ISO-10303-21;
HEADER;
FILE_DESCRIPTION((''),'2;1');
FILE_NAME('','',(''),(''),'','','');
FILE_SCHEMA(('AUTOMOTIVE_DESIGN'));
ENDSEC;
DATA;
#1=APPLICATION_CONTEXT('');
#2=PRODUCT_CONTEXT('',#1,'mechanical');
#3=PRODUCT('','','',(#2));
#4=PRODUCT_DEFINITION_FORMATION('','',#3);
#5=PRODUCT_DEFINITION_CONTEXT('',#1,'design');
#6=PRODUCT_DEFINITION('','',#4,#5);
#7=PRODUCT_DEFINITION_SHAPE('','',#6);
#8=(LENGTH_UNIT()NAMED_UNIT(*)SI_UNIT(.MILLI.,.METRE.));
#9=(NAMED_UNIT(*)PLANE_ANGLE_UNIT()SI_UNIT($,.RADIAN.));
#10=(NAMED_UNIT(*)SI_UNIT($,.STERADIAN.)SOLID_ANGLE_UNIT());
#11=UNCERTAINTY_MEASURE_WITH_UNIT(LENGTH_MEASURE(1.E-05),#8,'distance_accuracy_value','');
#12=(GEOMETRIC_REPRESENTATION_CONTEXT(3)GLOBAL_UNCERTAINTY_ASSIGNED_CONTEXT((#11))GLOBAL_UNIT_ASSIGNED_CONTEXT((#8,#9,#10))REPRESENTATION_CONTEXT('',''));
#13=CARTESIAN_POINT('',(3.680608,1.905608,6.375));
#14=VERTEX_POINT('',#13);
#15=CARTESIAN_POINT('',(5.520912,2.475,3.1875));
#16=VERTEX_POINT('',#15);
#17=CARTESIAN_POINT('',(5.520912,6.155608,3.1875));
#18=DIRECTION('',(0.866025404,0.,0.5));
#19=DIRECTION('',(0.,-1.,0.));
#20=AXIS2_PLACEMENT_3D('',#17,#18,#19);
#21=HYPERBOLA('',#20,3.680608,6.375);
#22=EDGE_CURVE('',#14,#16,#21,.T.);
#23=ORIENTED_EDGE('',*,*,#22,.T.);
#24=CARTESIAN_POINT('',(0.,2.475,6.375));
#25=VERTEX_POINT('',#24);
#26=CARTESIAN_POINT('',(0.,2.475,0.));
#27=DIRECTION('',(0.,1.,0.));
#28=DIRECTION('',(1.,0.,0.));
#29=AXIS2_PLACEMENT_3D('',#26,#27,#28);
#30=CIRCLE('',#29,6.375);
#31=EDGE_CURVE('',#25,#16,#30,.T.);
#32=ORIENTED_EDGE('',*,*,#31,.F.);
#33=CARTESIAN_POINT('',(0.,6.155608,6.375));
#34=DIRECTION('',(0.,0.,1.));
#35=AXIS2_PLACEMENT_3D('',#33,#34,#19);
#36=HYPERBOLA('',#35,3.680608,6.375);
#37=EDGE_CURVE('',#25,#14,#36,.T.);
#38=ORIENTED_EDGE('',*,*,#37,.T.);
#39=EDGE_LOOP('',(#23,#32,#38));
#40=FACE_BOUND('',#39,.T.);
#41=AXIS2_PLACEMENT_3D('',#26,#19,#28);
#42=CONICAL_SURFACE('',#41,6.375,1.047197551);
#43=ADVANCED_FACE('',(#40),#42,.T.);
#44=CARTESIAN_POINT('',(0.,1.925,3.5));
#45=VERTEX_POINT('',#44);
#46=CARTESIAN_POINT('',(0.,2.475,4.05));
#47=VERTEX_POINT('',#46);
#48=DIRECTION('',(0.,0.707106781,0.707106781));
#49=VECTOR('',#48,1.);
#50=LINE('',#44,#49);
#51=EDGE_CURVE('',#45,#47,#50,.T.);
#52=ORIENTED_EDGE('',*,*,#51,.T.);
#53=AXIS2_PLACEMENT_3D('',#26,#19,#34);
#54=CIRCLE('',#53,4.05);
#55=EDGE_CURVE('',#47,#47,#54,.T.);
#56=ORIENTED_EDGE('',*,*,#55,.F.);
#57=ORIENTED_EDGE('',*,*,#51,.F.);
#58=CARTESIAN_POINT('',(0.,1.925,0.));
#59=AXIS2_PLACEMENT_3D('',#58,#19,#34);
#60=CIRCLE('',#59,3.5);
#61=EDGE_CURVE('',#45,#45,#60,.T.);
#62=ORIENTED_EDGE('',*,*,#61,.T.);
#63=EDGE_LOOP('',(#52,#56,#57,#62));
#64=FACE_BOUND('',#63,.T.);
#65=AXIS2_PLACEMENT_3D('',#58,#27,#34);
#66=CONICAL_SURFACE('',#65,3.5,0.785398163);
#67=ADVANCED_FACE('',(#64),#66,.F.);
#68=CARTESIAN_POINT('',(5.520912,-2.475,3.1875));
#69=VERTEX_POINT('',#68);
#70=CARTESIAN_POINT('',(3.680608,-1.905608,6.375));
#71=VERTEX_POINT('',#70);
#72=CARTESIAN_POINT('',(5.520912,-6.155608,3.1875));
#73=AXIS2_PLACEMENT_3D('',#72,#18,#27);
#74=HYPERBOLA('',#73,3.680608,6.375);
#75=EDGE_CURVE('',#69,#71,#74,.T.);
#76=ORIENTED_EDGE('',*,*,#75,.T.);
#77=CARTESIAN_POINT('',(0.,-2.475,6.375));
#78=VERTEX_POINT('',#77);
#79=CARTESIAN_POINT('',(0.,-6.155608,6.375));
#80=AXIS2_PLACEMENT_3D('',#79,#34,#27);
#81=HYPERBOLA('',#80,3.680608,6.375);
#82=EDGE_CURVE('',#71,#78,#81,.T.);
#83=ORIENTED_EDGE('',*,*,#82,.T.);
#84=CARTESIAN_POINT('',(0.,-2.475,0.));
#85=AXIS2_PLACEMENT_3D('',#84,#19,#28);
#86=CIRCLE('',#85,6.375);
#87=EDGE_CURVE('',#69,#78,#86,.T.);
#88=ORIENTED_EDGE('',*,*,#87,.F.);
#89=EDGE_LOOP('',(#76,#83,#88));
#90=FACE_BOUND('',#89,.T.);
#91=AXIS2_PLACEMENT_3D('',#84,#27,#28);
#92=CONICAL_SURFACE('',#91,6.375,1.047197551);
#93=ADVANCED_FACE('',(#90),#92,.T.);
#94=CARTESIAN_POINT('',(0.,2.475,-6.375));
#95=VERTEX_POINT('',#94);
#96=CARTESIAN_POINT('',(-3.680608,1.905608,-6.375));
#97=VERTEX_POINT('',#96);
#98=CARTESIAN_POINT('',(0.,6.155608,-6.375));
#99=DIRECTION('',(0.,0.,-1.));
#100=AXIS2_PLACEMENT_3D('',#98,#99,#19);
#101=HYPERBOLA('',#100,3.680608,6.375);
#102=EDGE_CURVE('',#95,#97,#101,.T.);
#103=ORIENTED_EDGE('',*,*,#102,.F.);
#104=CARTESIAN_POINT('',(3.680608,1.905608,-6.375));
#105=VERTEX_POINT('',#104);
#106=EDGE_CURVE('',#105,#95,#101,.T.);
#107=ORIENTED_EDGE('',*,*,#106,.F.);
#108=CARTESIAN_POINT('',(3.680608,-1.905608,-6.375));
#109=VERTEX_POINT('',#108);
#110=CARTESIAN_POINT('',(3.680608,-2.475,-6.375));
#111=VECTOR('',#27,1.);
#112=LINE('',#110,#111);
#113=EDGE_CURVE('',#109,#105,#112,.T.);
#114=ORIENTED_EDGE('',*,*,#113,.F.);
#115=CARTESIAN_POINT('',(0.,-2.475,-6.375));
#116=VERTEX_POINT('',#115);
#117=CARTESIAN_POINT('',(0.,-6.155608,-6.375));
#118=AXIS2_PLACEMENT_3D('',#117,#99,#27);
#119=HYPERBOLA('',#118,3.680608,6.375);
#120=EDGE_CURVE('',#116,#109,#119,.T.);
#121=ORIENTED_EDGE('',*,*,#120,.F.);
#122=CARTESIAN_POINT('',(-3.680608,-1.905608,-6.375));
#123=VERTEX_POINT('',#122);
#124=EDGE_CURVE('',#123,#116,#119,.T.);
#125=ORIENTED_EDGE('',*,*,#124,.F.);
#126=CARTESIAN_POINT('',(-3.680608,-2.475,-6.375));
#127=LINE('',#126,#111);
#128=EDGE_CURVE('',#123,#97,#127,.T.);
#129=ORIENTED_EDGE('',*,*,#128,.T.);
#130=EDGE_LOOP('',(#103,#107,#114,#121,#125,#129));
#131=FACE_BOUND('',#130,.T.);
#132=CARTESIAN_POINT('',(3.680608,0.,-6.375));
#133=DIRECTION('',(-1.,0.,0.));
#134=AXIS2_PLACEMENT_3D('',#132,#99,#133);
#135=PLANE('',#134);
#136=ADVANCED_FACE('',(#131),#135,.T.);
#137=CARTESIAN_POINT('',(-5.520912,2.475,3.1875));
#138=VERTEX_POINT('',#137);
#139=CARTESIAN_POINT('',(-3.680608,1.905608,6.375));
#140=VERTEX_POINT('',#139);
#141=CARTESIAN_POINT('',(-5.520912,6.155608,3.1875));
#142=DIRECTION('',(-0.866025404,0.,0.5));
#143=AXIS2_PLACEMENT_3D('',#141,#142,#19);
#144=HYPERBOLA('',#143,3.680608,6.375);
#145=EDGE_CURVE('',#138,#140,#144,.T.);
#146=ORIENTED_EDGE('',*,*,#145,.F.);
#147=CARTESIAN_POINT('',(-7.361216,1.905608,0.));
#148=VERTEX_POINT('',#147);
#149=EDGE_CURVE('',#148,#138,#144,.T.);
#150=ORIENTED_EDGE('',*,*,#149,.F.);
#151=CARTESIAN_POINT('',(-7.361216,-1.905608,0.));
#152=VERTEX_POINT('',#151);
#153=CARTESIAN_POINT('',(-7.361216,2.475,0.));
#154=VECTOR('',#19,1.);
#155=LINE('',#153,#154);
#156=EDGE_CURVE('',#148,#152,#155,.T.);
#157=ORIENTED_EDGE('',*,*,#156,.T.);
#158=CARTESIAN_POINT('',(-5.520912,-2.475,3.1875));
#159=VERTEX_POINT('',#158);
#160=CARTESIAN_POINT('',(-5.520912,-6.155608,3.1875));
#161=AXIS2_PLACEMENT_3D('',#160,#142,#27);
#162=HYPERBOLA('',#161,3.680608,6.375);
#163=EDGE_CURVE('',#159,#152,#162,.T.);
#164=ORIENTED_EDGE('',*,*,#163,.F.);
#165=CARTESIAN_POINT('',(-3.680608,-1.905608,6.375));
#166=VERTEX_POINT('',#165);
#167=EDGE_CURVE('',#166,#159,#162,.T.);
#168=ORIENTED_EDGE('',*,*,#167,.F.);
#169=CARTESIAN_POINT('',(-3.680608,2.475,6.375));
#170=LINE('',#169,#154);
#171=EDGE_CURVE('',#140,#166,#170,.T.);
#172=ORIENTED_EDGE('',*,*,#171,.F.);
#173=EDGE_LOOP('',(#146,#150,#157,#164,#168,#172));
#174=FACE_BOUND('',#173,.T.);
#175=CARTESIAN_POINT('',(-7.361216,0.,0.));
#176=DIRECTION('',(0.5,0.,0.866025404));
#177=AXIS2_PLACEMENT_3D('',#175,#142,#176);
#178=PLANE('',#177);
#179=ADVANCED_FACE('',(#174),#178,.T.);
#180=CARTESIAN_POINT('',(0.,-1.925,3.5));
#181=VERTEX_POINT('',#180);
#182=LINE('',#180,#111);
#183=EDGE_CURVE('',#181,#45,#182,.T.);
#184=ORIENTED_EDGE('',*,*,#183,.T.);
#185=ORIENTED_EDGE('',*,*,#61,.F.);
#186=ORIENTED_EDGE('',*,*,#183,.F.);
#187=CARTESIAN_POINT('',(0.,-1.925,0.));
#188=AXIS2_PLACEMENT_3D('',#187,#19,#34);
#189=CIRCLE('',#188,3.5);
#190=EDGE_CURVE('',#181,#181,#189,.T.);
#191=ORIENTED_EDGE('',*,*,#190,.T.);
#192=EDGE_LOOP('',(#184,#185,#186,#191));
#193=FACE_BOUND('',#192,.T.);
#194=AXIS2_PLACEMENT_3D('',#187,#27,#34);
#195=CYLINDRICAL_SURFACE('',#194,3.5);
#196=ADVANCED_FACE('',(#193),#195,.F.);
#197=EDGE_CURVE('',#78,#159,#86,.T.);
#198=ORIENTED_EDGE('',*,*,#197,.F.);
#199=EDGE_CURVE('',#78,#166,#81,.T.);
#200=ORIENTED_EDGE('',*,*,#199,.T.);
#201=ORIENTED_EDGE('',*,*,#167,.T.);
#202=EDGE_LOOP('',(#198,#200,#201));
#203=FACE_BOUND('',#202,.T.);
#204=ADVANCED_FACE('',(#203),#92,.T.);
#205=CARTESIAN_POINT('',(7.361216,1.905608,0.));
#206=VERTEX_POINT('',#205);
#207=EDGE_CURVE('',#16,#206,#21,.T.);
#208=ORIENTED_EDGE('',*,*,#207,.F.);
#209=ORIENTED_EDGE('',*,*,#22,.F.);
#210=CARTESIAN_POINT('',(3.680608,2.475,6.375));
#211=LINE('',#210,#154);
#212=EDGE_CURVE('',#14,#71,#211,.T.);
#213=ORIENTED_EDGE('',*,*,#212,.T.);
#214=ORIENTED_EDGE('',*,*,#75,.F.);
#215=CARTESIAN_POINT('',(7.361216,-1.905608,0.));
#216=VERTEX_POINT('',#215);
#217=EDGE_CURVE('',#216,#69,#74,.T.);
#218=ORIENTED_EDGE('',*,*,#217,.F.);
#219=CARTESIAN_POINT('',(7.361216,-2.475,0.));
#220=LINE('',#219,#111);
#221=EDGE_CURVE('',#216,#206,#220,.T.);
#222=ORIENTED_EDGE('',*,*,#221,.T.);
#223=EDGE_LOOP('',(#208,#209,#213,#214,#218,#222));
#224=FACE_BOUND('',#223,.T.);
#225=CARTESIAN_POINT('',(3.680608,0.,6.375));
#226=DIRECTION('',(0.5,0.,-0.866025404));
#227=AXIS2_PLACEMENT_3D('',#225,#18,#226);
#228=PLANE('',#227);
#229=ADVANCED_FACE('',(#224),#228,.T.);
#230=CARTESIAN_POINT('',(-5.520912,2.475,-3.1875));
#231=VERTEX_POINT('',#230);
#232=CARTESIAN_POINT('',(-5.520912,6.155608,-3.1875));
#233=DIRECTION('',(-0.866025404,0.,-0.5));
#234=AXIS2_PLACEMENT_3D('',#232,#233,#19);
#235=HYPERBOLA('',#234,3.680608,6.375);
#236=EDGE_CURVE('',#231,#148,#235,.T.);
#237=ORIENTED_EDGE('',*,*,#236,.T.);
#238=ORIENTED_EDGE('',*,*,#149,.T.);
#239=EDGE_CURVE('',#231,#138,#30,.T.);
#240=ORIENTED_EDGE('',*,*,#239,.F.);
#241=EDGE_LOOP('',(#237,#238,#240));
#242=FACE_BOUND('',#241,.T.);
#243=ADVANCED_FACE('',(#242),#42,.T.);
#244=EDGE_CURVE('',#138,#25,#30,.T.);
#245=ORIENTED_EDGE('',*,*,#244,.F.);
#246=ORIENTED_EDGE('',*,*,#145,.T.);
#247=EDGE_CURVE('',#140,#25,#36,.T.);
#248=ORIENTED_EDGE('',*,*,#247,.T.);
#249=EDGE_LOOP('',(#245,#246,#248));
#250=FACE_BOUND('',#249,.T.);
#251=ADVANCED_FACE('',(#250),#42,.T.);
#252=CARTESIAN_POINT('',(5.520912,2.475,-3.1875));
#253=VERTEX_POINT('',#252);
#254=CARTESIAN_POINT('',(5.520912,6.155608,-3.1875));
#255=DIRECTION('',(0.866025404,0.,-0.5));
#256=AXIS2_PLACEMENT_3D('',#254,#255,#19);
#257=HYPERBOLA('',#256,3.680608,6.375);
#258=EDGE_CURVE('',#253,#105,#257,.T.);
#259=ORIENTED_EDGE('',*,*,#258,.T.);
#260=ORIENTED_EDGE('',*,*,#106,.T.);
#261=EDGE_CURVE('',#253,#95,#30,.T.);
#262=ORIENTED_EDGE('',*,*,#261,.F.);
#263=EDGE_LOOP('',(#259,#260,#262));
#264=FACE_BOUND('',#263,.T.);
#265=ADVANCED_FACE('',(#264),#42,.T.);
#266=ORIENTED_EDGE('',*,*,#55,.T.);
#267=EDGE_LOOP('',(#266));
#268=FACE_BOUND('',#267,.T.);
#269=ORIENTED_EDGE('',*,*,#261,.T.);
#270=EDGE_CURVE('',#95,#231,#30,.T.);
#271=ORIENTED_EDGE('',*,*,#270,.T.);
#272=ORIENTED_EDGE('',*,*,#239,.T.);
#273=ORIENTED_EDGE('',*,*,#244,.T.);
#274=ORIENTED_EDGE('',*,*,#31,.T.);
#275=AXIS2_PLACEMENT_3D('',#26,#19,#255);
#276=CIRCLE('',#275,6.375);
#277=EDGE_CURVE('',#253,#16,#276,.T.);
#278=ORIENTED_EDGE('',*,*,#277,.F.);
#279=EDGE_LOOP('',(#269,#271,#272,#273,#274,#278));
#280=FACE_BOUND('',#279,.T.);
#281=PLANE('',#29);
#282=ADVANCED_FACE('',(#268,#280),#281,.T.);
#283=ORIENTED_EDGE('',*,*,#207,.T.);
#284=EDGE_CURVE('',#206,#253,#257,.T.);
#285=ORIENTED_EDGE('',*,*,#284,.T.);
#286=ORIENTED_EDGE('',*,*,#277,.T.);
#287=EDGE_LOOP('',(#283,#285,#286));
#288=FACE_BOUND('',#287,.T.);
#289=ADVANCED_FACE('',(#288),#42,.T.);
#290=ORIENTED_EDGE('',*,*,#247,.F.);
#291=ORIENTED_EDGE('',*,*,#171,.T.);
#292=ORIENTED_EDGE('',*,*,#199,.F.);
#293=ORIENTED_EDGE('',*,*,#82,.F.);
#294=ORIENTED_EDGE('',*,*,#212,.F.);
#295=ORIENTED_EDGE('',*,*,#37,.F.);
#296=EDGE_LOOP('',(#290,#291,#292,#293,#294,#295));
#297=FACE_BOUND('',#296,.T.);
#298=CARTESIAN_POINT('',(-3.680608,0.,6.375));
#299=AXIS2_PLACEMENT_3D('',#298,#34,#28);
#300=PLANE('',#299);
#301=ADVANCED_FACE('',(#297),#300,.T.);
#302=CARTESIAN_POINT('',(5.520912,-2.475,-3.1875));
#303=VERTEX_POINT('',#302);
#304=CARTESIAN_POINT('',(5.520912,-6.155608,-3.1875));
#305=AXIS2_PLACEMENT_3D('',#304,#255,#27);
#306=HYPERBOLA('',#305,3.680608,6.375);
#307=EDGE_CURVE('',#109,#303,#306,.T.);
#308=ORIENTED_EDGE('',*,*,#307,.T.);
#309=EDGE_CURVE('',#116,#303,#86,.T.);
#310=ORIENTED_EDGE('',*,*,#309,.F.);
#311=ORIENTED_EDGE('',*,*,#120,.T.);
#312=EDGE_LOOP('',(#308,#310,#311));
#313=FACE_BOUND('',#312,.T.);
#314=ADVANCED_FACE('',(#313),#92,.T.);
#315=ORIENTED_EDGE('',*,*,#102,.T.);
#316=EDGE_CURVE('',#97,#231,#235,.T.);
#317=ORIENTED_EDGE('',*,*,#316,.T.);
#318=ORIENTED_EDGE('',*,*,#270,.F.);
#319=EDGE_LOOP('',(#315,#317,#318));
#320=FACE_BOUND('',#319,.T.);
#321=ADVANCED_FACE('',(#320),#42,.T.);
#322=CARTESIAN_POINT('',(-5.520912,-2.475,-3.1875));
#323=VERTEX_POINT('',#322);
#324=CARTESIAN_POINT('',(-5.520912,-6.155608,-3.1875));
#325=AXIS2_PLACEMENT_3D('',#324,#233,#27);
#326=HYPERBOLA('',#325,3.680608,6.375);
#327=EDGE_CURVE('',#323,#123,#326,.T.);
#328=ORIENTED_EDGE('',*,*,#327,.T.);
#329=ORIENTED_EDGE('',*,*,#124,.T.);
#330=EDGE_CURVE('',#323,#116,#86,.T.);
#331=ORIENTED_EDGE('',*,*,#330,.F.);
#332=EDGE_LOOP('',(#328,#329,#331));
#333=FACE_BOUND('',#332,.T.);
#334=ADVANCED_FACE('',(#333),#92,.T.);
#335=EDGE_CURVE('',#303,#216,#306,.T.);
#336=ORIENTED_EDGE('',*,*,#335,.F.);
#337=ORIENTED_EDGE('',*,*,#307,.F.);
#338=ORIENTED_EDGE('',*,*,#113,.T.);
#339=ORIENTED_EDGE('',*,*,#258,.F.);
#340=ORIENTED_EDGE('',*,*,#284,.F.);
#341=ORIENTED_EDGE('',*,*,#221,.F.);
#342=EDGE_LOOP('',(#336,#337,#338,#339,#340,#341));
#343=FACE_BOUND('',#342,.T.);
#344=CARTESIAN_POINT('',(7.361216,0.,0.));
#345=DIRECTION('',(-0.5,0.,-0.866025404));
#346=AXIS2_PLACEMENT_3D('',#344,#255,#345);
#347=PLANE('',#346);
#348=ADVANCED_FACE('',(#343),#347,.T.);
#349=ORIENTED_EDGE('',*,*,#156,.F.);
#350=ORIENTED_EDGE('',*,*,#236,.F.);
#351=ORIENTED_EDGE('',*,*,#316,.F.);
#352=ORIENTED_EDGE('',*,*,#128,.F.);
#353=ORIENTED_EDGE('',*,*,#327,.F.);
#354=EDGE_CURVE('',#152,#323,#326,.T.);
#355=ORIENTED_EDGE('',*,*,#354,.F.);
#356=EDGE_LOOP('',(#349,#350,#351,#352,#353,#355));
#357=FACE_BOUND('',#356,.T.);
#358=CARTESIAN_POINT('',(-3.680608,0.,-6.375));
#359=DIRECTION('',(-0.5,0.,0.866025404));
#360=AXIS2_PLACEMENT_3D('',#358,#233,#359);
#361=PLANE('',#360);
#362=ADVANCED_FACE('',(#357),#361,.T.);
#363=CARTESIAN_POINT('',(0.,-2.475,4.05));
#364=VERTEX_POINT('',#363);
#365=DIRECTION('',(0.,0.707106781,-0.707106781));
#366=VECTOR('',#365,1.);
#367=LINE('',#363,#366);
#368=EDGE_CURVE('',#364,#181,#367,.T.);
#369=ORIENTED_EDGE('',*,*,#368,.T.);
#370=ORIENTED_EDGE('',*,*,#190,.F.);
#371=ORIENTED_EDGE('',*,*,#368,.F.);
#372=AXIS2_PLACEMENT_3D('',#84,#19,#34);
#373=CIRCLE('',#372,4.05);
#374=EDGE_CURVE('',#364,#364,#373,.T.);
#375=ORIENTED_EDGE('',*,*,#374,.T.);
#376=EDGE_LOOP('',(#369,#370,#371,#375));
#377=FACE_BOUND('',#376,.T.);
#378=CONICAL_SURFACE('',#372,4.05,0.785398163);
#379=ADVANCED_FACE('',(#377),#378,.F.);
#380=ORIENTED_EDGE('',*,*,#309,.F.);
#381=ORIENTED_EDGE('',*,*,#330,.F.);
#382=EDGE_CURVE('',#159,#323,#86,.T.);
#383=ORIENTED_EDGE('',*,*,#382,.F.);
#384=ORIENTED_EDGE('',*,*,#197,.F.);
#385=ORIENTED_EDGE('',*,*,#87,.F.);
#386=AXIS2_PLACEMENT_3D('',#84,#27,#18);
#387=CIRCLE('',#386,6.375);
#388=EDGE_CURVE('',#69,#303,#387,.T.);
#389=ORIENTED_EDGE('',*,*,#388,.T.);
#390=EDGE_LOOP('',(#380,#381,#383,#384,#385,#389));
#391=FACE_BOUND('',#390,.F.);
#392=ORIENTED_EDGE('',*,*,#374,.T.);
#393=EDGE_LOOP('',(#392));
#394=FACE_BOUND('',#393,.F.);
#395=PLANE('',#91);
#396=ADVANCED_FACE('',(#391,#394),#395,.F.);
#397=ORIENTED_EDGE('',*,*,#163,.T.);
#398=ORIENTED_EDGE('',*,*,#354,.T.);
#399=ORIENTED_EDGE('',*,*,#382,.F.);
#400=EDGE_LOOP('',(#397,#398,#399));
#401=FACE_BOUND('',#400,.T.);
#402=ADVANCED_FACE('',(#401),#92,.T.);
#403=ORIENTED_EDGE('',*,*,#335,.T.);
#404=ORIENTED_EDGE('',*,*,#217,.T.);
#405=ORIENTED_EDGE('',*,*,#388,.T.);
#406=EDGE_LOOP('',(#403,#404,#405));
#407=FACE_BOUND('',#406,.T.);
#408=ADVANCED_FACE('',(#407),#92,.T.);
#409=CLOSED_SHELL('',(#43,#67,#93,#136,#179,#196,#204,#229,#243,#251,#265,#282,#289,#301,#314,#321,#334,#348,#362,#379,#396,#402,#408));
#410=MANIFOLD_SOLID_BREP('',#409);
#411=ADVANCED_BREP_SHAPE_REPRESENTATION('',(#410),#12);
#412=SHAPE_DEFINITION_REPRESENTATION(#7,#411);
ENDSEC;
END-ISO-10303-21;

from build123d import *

# Parameters (mm, degrees)
BOSS_EXTRUDE1_DEPTH     = 2.475
SKETCH2_OUTSIDE_W       = 37.888
SKETCH2_OUTSIDE_H       = 35.916
SKETCH2_OUTSIDE_R       = 6.375
CUT_EXTRUDE1_DEPTH      = 4.95
CUT_EXTRUDE1_DRAFT      = -60
MIRROR1_COPY_1_SKETCH_W = 37.888
MIRROR1_COPY_1_SKETCH_H = 35.916
MIRROR1_COPY_1_SKETCH_R = 6.375
MIRROR1_COPY_1_DEPTH    = 4.95
MIRROR1_COPY_1_DRAFT    = -60


with BuildPart() as part:
    # Sketch1 → Boss-Extrude1 (new, symmetric)
    with BuildSketch(Plane(origin=(0, 0, 0), x_dir=(1, 0, 0), z_dir=(0, 1, 0))):
        Polygon((3.680607966, -6.375), (7.361215932, 0), (3.680607966, 6.375), (-3.680607966, 6.375), (-7.361215932, 0), (-3.680607966, -6.375), align=None)
    extrude(amount=BOSS_EXTRUDE1_DEPTH, both=True)


with BuildPart() as cut_extrude1_tool:
    # Sketch2 outside → Cut-Extrude1 (with draft: the straight prism first)
    with BuildSketch(Plane(origin=(0, 2.475, 0), x_dir=(1, 0, 0), z_dir=(0, 1, 0))):
        Rectangle(SKETCH2_OUTSIDE_W, SKETCH2_OUTSIDE_H)
        Circle(SKETCH2_OUTSIDE_R, mode=Mode.SUBTRACT)
    extrude(amount=-CUT_EXTRUDE1_DEPTH)
    # Cut-Extrude1: the draft: its side faces are tilted about the plane it starts from
    cut_extrude1_sides = [cut_extrude1_tool.faces().sort_by_distance(p)[0] for p in [
        (0, 0, 17.958),
        (18.944, 0, 0),
        (0, 0, -17.958),
        (-18.944, 0, 0),
        (-6.375, 0, 0),
    ]]
    draft(cut_extrude1_sides, Plane(origin=(0, 2.475, 0), x_dir=(1, 0, 0), z_dir=(0, 1, 0)), CUT_EXTRUDE1_DRAFT)


with BuildPart() as part_1:
    add(part.part)

    # Cut-Extrude1: cut by cut_extrude1_tool
    add(cut_extrude1_tool.part, mode=Mode.SUBTRACT)


with BuildPart() as mirror1_copy_1_tool:
    # Mirror1 copy 1 sketch → Mirror1 copy 1 (with draft: the straight prism first)
    with BuildSketch(Plane.XZ.offset(2.475)):
        Rectangle(MIRROR1_COPY_1_SKETCH_W, MIRROR1_COPY_1_SKETCH_H)
        Circle(MIRROR1_COPY_1_SKETCH_R, mode=Mode.SUBTRACT)
    extrude(amount=-MIRROR1_COPY_1_DEPTH)
    # Mirror1 copy 1: the draft: its side faces are tilted about the plane it starts from
    mirror1_copy_1_sides = [mirror1_copy_1_tool.faces().sort_by_distance(p)[0] for p in [
        (0, 0, 17.958),
        (18.944, 0, 0),
        (0, 0, -17.958),
        (-18.944, 0, 0),
        (-6.375, 0, 0),
    ]]
    draft(mirror1_copy_1_sides, Plane.XZ.offset(2.475), MIRROR1_COPY_1_DRAFT)


with BuildPart() as part_2:
    add(part_1.part)

    # Mirror1 copy 1: cut by mirror1_copy_1_tool
    add(mirror1_copy_1_tool.part, mode=Mode.SUBTRACT)

    # Sketch5 → M8x1.0 Tapped Hole1 (revolve, cut)
    with BuildSketch(Plane(origin=(0, 2.475, 0), x_dir=(0, 0, 1), z_dir=(1, 0, 0))):
        Polygon((0, 0), (0, 4.95), (4.05, 4.95), (3.5, 4.4), (3.5, 0.55), (4.05, 0), align=None)
    revolve(axis=Axis((0, 8.825, 0), (0, -1, 0)), mode=Mode.SUBTRACT)


solid = part_2.part
